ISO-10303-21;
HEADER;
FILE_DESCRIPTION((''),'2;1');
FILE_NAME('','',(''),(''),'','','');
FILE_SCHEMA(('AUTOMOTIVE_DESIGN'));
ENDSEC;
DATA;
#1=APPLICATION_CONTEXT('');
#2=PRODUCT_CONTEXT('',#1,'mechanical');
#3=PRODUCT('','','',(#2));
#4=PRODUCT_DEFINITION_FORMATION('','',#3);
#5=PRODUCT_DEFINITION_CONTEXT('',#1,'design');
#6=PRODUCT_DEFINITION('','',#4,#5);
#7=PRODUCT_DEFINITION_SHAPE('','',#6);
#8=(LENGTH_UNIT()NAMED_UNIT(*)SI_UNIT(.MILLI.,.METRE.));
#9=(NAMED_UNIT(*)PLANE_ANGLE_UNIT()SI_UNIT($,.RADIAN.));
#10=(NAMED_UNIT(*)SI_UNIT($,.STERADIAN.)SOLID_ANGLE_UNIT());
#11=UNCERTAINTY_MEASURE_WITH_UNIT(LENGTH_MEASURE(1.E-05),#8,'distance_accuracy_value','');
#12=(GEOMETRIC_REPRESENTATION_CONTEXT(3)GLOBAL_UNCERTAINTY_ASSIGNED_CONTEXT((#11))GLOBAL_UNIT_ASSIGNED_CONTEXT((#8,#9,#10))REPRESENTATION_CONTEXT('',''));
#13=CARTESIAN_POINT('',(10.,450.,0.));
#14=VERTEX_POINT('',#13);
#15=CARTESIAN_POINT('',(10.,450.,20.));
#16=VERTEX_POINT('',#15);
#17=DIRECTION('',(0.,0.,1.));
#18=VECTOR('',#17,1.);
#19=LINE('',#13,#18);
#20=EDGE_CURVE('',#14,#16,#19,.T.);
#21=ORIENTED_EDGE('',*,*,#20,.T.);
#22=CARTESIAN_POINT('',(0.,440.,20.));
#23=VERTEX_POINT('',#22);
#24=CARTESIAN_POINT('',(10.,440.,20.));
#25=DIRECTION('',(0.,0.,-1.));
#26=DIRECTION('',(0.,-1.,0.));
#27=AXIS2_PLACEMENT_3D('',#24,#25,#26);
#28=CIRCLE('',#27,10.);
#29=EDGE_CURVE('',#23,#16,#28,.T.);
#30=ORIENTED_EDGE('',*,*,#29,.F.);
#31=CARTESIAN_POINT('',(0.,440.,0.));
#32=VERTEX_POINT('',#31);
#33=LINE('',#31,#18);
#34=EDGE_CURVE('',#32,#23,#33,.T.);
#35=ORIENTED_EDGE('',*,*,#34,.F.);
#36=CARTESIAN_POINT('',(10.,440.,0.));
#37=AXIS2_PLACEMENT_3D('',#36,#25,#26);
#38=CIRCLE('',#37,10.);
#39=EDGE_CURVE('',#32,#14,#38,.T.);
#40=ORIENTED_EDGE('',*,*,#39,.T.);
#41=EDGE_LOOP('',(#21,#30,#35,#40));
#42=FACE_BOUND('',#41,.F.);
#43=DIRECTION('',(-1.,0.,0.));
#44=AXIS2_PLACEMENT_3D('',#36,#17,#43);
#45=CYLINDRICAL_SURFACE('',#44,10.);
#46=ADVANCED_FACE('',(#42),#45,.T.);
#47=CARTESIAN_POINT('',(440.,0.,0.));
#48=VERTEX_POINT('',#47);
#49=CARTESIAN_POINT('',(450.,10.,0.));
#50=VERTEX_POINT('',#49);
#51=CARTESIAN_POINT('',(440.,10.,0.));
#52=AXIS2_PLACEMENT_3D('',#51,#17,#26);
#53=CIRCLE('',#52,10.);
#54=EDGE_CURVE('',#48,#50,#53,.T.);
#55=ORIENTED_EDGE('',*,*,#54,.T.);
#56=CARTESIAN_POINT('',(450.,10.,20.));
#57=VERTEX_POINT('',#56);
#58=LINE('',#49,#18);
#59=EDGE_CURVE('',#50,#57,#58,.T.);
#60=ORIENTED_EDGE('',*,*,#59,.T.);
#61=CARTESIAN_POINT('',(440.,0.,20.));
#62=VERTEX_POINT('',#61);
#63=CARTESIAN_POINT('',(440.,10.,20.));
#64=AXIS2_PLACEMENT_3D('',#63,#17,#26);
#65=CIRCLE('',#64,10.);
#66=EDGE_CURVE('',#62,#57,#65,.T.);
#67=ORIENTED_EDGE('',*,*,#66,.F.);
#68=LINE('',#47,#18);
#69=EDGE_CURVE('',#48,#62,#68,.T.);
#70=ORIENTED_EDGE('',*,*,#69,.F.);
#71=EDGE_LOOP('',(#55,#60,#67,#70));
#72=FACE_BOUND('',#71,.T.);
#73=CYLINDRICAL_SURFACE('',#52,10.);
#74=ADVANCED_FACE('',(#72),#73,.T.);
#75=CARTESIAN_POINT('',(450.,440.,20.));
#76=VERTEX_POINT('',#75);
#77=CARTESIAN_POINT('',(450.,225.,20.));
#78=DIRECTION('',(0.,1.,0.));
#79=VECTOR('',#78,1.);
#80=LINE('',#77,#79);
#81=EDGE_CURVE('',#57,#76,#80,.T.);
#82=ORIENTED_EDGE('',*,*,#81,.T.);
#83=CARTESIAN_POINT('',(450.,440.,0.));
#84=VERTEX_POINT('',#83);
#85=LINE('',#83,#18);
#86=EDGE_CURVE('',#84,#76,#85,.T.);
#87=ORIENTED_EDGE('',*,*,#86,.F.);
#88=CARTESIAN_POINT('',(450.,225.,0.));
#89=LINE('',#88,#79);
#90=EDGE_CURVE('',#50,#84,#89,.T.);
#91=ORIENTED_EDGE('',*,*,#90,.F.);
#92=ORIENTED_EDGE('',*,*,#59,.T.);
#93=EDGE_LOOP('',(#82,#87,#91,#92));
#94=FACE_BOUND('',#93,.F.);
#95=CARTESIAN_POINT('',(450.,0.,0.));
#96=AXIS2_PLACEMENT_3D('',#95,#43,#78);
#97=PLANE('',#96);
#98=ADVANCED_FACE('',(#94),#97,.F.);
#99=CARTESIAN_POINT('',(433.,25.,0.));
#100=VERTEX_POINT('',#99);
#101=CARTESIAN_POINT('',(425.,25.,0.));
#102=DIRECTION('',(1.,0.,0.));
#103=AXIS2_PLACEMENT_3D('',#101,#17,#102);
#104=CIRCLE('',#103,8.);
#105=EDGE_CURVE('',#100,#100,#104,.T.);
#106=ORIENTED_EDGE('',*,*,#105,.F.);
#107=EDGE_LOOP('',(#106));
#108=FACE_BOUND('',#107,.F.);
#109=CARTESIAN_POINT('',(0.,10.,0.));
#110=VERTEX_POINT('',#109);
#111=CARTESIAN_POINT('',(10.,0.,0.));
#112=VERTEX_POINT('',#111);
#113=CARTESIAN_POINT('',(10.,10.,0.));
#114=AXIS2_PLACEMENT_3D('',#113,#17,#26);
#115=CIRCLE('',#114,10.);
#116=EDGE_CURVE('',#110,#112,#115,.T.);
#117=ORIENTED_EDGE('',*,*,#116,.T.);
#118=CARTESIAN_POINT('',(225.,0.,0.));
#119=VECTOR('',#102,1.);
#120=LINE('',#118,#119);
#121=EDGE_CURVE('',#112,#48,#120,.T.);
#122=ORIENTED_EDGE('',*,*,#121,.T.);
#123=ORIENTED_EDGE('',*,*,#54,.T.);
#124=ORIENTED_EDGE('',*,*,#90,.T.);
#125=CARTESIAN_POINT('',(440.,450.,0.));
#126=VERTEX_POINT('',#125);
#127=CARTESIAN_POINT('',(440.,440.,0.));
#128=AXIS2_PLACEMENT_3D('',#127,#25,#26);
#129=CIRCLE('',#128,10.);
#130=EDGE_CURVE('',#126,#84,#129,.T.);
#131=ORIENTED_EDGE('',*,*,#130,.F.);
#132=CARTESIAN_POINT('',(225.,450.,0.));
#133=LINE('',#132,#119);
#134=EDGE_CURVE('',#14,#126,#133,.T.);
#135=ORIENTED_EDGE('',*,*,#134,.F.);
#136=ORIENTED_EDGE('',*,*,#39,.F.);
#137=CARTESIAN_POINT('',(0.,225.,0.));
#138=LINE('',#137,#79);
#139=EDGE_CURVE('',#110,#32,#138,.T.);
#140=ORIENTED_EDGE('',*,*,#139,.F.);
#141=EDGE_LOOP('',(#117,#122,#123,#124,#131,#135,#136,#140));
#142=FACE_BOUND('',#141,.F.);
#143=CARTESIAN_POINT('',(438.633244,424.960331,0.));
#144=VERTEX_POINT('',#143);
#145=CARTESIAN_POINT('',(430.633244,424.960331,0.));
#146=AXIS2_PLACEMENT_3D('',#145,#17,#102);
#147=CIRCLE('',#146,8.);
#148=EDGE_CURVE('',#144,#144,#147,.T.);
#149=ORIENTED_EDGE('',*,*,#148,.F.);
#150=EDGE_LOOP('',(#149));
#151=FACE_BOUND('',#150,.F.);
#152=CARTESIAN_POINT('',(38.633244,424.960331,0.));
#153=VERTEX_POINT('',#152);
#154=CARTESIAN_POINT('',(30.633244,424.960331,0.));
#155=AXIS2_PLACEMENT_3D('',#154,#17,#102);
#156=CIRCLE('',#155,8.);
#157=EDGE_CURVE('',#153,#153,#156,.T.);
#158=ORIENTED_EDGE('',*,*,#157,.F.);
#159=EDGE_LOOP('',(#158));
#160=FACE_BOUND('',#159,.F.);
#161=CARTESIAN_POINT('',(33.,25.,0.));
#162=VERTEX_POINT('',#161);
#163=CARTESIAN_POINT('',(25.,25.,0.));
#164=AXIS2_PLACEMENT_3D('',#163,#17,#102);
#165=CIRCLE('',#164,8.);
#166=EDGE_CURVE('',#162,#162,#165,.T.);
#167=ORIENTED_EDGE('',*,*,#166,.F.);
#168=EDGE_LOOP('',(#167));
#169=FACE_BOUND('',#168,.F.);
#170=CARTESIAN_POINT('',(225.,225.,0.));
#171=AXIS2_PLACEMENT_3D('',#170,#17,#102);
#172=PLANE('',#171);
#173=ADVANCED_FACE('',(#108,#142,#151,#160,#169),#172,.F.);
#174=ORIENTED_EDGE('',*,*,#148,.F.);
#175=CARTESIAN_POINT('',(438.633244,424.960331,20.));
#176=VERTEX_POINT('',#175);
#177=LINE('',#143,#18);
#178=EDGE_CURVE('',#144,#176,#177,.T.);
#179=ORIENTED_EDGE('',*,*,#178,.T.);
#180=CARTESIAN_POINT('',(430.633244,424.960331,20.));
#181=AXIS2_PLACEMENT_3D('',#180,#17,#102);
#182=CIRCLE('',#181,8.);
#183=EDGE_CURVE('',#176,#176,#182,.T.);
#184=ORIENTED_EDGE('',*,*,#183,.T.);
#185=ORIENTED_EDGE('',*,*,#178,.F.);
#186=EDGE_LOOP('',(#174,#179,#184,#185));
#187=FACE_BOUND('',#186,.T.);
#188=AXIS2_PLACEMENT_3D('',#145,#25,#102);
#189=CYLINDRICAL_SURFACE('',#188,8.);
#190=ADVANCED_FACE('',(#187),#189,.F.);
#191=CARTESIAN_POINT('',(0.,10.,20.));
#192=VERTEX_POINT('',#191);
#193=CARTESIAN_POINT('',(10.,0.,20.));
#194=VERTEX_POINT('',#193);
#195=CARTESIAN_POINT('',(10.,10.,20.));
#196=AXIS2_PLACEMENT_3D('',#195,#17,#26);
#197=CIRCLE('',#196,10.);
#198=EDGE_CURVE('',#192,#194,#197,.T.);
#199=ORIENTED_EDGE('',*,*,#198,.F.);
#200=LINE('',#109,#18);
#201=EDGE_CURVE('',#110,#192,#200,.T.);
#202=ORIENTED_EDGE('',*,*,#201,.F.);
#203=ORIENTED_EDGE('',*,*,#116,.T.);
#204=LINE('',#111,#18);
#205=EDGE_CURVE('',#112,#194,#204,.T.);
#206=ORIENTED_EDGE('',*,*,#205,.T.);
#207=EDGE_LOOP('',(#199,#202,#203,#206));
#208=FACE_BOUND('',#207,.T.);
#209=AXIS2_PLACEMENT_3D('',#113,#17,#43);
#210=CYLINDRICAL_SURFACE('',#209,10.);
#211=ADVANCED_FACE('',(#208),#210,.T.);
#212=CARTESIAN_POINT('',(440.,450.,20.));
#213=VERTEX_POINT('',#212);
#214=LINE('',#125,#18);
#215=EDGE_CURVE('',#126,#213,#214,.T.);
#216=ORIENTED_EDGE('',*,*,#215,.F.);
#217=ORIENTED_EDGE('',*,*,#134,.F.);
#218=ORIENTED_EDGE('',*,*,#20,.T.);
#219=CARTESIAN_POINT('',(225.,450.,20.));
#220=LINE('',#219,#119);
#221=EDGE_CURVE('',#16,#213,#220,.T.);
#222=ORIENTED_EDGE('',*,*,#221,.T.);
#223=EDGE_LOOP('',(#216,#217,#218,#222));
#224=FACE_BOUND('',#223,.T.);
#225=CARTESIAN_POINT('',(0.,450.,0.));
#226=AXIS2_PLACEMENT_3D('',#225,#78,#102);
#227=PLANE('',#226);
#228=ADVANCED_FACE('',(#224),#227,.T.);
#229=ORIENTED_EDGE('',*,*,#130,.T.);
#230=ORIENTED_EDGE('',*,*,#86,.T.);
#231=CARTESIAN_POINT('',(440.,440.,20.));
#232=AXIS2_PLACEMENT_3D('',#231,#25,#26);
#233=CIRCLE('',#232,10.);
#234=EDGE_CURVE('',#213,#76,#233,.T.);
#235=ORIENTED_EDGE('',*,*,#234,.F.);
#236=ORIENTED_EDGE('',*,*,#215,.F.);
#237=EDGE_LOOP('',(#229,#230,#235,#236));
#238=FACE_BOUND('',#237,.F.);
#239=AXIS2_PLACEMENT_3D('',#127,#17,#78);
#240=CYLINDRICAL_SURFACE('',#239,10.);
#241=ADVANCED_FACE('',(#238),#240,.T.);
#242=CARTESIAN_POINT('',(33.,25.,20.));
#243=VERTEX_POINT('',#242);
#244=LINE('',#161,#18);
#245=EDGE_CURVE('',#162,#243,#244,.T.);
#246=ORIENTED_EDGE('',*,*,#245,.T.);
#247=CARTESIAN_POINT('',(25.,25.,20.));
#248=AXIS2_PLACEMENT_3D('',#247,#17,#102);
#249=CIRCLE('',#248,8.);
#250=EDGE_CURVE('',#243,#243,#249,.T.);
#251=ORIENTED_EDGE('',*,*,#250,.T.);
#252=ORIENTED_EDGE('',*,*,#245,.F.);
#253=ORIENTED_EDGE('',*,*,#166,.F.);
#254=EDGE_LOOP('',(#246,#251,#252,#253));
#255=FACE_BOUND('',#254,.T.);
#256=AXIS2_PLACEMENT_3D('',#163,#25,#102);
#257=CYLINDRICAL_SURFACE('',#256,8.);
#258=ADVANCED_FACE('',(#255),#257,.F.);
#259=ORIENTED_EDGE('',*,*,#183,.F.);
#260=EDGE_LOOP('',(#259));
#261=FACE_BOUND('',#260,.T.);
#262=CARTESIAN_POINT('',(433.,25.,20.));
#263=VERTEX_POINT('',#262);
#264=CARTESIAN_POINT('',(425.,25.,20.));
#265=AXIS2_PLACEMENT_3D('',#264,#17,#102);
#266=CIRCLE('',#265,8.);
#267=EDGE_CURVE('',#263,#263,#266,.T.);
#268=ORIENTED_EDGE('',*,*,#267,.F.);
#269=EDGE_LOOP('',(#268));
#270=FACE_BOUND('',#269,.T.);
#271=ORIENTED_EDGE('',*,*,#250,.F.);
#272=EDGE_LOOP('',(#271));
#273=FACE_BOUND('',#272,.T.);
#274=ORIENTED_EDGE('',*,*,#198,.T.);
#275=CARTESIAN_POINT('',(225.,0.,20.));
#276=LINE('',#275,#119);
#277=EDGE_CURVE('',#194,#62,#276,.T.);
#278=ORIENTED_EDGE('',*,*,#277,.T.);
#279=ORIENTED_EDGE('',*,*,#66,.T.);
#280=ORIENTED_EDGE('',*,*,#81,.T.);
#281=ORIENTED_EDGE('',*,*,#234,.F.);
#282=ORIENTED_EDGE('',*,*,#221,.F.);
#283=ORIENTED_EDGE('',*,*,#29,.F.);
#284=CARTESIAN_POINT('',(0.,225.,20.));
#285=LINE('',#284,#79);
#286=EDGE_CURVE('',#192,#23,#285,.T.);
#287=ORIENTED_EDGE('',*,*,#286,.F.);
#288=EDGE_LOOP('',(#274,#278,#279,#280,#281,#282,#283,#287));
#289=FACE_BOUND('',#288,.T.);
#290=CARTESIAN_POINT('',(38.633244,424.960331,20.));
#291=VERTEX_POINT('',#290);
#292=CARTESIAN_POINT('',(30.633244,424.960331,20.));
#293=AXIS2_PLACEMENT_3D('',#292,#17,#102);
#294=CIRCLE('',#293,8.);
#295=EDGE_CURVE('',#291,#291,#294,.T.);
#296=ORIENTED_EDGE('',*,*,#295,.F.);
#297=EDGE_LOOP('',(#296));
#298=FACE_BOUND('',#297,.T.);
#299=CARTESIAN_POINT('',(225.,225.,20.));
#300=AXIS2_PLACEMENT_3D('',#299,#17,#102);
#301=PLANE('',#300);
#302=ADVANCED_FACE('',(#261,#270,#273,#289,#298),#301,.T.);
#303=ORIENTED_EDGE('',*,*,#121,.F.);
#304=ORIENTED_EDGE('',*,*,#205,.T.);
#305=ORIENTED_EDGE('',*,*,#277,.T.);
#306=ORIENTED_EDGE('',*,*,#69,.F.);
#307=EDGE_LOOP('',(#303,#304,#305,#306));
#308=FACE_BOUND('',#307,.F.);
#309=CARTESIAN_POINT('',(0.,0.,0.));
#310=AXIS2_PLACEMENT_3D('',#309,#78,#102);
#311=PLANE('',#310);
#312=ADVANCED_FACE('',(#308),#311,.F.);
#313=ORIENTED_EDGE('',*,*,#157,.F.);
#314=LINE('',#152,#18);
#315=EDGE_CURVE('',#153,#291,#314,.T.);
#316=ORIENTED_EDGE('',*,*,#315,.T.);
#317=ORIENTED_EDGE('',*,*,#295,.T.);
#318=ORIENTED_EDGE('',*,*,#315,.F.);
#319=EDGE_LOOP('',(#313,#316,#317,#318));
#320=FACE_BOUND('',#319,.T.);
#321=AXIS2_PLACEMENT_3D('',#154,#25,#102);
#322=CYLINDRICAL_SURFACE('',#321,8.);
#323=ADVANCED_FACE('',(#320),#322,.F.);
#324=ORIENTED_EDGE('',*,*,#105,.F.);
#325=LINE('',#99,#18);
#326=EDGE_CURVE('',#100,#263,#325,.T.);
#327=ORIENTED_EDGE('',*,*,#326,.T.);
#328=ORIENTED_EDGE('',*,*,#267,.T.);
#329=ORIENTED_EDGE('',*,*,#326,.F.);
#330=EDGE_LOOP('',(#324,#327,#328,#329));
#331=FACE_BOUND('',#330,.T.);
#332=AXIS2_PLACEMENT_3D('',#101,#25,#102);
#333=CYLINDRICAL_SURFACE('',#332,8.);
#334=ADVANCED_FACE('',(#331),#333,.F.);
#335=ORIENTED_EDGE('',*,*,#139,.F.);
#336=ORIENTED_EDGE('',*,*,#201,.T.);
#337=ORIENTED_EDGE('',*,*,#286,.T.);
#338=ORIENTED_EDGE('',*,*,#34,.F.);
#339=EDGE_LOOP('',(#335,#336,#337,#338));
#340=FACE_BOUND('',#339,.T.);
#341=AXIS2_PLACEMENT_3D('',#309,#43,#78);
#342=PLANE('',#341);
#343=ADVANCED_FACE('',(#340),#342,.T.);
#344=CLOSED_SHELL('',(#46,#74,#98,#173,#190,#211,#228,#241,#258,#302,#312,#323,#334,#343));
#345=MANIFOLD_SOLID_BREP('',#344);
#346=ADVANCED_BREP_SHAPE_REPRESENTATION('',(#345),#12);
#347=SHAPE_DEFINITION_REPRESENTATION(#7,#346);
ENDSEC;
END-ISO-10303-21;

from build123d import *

# Parameters (mm, degrees)
F0_W     = 450
F0_H     = 450
F0_R     = 8
F1_DEPTH = 20
F2_R     = 10


with BuildPart() as f1:
    # F0 (on Top) → F1 (new body)
    with BuildSketch(Plane.XY):
        with Locations((225, 225)):
            Rectangle(F0_W, F0_H)
        with Locations((25, 25)):
            Circle(F0_R, mode=Mode.SUBTRACT)
        with Locations((425, 25)):
            Circle(F0_R, mode=Mode.SUBTRACT)
        with Locations((30.633244, 424.960331)):
            Circle(F0_R, mode=Mode.SUBTRACT)
        with Locations((430.633244, 424.960331)):
            Circle(F0_R, mode=Mode.SUBTRACT)
    extrude(amount=F1_DEPTH)

    # F2
    f2_edges = [f1.edges().sort_by_distance(p)[0] for p in [
        (0, 0, 10),
        (450, 0, 10),
        (450, 450, 10),
        (0, 450, 10),
    ]]
    fillet(f2_edges, radius=F2_R)


solid = f1.part
